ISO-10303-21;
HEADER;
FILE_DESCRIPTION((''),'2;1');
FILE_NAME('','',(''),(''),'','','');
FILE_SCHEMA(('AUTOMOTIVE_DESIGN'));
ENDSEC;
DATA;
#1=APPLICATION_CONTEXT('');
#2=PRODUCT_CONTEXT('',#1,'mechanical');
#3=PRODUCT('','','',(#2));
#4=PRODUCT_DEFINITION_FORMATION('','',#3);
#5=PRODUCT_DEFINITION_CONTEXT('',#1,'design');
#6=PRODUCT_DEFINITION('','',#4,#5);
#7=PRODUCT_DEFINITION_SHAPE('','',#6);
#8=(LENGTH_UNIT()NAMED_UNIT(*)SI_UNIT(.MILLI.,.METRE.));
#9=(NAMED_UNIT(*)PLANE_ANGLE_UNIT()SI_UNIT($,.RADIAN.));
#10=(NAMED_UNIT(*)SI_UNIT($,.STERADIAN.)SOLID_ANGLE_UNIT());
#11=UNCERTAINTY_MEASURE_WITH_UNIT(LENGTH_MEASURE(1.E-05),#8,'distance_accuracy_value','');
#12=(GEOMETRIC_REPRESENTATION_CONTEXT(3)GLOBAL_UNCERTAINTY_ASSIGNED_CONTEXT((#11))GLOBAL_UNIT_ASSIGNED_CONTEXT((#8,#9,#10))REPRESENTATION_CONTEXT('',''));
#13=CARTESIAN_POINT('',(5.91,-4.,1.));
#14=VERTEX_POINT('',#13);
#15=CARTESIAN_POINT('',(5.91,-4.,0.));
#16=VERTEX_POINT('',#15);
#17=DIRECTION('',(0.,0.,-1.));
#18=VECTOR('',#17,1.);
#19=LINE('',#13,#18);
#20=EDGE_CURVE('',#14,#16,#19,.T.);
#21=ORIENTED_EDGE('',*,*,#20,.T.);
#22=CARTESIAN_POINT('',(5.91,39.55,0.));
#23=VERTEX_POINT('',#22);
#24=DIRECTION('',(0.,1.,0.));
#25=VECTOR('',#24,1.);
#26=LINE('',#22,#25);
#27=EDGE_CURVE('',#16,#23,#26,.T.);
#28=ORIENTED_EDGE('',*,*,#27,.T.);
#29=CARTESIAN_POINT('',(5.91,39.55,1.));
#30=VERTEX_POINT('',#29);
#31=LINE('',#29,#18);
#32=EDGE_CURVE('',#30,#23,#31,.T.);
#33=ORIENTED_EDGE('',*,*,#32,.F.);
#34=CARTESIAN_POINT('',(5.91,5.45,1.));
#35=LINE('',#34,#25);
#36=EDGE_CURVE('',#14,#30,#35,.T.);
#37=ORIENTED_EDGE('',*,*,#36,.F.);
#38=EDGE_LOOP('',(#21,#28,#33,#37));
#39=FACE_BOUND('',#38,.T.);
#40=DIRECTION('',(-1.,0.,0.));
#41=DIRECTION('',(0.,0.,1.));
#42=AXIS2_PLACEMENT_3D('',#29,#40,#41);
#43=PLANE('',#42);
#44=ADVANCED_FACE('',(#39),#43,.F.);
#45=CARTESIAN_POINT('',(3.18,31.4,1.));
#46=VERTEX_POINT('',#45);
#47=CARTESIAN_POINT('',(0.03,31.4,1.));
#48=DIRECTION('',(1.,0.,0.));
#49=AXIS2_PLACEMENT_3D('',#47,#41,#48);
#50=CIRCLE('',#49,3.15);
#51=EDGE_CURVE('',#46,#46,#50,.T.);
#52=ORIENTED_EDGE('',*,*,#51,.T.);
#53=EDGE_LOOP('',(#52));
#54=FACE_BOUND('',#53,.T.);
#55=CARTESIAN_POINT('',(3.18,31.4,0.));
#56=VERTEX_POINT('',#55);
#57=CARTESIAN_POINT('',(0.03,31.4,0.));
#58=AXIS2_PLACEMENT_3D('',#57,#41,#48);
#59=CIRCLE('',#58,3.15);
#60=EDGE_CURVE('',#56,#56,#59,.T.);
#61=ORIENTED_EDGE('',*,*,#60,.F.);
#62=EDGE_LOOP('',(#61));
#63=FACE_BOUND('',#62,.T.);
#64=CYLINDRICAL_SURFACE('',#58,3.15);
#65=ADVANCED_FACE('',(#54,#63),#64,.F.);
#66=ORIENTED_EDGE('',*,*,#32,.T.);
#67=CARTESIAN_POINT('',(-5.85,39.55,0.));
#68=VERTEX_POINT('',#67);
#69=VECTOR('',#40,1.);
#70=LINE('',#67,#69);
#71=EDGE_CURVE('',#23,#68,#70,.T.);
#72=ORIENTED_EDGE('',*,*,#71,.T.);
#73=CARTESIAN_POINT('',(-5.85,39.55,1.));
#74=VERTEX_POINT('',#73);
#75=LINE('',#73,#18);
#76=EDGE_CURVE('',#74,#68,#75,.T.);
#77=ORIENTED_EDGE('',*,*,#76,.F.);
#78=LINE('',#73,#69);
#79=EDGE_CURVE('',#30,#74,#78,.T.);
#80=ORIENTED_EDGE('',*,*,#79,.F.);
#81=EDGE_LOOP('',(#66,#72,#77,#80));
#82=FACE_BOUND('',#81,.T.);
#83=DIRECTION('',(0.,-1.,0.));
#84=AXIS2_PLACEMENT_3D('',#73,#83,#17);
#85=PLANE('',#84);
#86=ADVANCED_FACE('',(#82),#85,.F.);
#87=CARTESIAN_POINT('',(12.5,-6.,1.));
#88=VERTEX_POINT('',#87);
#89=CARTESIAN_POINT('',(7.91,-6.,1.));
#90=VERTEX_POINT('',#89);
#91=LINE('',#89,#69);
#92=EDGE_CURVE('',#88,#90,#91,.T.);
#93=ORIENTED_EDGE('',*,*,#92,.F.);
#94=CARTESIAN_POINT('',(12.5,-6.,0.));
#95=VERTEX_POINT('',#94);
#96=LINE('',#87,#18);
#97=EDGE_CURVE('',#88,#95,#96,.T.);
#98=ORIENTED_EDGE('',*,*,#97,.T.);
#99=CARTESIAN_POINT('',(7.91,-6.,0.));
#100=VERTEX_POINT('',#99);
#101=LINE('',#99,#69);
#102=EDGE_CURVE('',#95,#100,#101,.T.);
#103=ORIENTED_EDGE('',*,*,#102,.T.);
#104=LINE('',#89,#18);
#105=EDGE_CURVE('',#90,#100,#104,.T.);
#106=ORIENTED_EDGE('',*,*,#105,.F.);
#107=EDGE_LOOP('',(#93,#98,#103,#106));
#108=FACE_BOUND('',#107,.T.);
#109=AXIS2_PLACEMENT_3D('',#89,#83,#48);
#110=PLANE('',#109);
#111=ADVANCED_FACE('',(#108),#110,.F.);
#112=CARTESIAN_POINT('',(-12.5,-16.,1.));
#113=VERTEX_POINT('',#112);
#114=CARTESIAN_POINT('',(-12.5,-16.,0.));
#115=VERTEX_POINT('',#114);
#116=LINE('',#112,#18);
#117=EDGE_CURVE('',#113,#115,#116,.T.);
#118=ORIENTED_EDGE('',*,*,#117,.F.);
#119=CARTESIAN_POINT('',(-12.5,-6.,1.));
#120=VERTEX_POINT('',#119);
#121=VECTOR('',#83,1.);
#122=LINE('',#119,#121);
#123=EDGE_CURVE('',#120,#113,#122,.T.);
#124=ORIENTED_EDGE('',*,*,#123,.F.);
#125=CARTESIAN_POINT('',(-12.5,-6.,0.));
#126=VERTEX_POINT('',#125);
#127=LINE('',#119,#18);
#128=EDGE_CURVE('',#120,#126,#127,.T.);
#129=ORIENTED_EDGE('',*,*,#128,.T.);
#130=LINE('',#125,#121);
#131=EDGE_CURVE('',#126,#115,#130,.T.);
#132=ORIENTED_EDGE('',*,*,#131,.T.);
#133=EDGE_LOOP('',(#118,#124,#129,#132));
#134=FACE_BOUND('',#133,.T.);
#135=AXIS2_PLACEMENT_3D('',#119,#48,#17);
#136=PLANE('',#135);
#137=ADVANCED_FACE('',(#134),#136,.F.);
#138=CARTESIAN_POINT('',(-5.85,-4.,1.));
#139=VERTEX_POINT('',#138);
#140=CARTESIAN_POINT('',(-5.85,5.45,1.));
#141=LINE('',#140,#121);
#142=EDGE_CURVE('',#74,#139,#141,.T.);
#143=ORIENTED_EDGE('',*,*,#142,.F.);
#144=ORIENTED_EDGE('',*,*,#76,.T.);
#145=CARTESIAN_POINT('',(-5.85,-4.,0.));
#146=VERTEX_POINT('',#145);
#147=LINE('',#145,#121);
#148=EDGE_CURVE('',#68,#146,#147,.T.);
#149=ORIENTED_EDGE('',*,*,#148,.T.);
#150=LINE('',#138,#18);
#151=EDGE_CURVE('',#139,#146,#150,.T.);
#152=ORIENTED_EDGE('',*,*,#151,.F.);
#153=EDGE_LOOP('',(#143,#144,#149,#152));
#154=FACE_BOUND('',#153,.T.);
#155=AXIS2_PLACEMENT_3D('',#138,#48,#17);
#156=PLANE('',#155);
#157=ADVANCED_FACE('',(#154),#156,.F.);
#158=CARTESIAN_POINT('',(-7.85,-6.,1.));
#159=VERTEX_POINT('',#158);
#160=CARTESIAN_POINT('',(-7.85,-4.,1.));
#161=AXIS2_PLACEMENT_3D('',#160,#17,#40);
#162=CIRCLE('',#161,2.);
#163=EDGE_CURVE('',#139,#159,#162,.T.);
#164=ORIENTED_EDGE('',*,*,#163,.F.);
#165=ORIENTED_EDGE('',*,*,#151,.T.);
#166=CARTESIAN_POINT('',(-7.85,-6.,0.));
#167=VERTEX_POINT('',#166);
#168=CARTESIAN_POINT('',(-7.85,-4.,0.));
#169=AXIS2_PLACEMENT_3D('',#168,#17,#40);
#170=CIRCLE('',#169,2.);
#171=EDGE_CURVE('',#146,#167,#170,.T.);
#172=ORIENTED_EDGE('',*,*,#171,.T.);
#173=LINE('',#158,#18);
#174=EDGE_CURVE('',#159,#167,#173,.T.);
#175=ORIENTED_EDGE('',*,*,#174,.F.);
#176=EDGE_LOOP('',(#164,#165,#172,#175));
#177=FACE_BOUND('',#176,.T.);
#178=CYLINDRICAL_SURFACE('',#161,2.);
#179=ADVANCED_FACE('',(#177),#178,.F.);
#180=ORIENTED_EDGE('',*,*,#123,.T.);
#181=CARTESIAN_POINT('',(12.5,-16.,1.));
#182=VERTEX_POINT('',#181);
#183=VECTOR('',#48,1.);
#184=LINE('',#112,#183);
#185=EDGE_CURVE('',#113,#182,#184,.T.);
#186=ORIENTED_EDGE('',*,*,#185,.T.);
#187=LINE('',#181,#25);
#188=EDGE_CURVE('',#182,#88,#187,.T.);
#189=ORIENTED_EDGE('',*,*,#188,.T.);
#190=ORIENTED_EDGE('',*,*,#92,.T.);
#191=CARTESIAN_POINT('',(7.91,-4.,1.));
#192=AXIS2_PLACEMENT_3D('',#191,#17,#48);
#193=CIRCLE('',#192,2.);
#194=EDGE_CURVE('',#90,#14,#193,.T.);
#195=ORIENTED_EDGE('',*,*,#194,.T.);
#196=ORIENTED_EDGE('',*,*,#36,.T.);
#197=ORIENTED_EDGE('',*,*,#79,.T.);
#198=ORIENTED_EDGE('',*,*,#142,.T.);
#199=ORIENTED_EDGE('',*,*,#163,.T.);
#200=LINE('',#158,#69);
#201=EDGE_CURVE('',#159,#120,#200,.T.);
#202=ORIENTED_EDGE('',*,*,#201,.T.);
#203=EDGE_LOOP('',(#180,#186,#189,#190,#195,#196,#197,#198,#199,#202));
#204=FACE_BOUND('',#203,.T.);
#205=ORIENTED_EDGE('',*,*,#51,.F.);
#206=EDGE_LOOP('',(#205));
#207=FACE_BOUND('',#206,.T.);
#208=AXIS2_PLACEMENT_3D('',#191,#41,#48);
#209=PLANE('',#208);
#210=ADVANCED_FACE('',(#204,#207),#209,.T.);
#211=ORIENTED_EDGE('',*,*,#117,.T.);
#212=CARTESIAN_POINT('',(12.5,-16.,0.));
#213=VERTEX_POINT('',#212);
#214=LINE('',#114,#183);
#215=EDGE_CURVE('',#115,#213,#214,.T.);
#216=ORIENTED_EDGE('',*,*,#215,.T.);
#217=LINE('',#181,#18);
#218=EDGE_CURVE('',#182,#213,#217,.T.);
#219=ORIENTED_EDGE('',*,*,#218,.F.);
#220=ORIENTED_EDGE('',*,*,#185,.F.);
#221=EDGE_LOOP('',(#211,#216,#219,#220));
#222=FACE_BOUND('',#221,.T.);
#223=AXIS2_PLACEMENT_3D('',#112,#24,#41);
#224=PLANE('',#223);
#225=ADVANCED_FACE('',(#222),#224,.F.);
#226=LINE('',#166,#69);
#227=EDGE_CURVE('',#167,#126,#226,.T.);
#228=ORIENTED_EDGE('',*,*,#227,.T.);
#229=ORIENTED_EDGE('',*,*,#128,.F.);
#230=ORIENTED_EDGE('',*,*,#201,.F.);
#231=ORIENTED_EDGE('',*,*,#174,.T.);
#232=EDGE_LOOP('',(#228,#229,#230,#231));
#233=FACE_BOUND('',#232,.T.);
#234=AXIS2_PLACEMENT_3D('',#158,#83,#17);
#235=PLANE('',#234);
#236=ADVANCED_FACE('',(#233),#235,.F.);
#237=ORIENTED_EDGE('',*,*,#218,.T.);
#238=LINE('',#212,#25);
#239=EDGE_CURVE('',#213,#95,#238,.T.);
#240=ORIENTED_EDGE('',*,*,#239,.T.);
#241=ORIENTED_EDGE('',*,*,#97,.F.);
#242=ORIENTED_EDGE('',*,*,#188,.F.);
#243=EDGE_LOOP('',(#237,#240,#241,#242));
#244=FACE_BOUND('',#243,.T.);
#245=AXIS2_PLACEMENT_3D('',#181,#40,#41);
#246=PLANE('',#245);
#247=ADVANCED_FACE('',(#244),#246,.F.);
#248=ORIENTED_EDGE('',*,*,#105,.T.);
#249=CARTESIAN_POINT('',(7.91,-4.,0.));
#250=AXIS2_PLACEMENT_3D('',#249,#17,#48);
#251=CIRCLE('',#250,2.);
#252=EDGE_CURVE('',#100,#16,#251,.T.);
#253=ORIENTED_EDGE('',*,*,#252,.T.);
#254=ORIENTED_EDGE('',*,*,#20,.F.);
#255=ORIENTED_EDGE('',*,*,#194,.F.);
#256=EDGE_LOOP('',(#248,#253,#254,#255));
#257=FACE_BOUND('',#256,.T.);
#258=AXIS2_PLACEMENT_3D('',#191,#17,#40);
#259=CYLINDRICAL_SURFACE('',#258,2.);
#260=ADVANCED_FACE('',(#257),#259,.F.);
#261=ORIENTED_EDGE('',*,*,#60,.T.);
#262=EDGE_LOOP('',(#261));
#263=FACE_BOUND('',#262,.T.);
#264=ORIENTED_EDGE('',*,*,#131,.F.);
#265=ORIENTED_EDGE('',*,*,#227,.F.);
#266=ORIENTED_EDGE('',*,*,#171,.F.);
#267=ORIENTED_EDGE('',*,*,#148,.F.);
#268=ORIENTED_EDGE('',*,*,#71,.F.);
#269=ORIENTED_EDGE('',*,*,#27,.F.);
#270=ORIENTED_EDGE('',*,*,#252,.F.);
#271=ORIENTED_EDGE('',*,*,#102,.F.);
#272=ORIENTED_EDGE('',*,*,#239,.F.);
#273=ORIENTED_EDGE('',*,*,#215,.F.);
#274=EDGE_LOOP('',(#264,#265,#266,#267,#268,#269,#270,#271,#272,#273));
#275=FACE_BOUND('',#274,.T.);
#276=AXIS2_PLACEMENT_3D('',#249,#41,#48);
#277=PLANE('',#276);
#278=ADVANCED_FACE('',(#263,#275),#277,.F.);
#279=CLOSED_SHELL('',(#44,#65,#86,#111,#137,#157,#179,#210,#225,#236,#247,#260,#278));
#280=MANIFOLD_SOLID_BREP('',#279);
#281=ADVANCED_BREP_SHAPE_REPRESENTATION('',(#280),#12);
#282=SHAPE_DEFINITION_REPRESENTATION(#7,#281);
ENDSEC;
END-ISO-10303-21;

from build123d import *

# Parameters (mm, degrees)
DODANIE_WYCI_GNI_CIE1_DEPTH = 1
SZKIC2_R                    = 3.15
WYTNIJ_WYCI_GNI_CIE1_DEPTH  = 1


with BuildPart() as part:
    # Szkic1 → Dodanie-wyciągnięcie1 (new body)
    with BuildSketch(Plane.XY):
        with BuildLine():
            Line((-12.5, -6), (-12.5, -16))
            Line((-12.5, -16), (12.5, -16))
            Line((12.5, -16), (12.5, -6))
            Line((12.5, -6), (7.91, -6))
            ThreePointArc((7.91, -6), (6.495786438, -5.414213562), (5.91, -4))
            Line((5.91, -4), (5.91, 5.45))
            Line((5.91, 5.45), (5.91, 39.55))
            Line((5.91, 39.55), (-5.85, 39.55))
            Line((-5.85, 39.55), (-5.85, 5.45))
            Line((-5.85, 5.45), (-5.85, -4))
            ThreePointArc((-5.85, -4), (-6.435786438, -5.414213562), (-7.85, -6))
            Line((-7.85, -6), (-12.5, -6))
        make_face()
    extrude(amount=DODANIE_WYCI_GNI_CIE1_DEPTH)

    # Szkic2 → Wytnij-wyciągnięcie1 (cut)
    with BuildSketch(Plane.XY.offset(1)):
        with Locations((0.03, 31.4)):
            Circle(SZKIC2_R)
    extrude(amount=-WYTNIJ_WYCI_GNI_CIE1_DEPTH, mode=Mode.SUBTRACT)


solid = part.part
